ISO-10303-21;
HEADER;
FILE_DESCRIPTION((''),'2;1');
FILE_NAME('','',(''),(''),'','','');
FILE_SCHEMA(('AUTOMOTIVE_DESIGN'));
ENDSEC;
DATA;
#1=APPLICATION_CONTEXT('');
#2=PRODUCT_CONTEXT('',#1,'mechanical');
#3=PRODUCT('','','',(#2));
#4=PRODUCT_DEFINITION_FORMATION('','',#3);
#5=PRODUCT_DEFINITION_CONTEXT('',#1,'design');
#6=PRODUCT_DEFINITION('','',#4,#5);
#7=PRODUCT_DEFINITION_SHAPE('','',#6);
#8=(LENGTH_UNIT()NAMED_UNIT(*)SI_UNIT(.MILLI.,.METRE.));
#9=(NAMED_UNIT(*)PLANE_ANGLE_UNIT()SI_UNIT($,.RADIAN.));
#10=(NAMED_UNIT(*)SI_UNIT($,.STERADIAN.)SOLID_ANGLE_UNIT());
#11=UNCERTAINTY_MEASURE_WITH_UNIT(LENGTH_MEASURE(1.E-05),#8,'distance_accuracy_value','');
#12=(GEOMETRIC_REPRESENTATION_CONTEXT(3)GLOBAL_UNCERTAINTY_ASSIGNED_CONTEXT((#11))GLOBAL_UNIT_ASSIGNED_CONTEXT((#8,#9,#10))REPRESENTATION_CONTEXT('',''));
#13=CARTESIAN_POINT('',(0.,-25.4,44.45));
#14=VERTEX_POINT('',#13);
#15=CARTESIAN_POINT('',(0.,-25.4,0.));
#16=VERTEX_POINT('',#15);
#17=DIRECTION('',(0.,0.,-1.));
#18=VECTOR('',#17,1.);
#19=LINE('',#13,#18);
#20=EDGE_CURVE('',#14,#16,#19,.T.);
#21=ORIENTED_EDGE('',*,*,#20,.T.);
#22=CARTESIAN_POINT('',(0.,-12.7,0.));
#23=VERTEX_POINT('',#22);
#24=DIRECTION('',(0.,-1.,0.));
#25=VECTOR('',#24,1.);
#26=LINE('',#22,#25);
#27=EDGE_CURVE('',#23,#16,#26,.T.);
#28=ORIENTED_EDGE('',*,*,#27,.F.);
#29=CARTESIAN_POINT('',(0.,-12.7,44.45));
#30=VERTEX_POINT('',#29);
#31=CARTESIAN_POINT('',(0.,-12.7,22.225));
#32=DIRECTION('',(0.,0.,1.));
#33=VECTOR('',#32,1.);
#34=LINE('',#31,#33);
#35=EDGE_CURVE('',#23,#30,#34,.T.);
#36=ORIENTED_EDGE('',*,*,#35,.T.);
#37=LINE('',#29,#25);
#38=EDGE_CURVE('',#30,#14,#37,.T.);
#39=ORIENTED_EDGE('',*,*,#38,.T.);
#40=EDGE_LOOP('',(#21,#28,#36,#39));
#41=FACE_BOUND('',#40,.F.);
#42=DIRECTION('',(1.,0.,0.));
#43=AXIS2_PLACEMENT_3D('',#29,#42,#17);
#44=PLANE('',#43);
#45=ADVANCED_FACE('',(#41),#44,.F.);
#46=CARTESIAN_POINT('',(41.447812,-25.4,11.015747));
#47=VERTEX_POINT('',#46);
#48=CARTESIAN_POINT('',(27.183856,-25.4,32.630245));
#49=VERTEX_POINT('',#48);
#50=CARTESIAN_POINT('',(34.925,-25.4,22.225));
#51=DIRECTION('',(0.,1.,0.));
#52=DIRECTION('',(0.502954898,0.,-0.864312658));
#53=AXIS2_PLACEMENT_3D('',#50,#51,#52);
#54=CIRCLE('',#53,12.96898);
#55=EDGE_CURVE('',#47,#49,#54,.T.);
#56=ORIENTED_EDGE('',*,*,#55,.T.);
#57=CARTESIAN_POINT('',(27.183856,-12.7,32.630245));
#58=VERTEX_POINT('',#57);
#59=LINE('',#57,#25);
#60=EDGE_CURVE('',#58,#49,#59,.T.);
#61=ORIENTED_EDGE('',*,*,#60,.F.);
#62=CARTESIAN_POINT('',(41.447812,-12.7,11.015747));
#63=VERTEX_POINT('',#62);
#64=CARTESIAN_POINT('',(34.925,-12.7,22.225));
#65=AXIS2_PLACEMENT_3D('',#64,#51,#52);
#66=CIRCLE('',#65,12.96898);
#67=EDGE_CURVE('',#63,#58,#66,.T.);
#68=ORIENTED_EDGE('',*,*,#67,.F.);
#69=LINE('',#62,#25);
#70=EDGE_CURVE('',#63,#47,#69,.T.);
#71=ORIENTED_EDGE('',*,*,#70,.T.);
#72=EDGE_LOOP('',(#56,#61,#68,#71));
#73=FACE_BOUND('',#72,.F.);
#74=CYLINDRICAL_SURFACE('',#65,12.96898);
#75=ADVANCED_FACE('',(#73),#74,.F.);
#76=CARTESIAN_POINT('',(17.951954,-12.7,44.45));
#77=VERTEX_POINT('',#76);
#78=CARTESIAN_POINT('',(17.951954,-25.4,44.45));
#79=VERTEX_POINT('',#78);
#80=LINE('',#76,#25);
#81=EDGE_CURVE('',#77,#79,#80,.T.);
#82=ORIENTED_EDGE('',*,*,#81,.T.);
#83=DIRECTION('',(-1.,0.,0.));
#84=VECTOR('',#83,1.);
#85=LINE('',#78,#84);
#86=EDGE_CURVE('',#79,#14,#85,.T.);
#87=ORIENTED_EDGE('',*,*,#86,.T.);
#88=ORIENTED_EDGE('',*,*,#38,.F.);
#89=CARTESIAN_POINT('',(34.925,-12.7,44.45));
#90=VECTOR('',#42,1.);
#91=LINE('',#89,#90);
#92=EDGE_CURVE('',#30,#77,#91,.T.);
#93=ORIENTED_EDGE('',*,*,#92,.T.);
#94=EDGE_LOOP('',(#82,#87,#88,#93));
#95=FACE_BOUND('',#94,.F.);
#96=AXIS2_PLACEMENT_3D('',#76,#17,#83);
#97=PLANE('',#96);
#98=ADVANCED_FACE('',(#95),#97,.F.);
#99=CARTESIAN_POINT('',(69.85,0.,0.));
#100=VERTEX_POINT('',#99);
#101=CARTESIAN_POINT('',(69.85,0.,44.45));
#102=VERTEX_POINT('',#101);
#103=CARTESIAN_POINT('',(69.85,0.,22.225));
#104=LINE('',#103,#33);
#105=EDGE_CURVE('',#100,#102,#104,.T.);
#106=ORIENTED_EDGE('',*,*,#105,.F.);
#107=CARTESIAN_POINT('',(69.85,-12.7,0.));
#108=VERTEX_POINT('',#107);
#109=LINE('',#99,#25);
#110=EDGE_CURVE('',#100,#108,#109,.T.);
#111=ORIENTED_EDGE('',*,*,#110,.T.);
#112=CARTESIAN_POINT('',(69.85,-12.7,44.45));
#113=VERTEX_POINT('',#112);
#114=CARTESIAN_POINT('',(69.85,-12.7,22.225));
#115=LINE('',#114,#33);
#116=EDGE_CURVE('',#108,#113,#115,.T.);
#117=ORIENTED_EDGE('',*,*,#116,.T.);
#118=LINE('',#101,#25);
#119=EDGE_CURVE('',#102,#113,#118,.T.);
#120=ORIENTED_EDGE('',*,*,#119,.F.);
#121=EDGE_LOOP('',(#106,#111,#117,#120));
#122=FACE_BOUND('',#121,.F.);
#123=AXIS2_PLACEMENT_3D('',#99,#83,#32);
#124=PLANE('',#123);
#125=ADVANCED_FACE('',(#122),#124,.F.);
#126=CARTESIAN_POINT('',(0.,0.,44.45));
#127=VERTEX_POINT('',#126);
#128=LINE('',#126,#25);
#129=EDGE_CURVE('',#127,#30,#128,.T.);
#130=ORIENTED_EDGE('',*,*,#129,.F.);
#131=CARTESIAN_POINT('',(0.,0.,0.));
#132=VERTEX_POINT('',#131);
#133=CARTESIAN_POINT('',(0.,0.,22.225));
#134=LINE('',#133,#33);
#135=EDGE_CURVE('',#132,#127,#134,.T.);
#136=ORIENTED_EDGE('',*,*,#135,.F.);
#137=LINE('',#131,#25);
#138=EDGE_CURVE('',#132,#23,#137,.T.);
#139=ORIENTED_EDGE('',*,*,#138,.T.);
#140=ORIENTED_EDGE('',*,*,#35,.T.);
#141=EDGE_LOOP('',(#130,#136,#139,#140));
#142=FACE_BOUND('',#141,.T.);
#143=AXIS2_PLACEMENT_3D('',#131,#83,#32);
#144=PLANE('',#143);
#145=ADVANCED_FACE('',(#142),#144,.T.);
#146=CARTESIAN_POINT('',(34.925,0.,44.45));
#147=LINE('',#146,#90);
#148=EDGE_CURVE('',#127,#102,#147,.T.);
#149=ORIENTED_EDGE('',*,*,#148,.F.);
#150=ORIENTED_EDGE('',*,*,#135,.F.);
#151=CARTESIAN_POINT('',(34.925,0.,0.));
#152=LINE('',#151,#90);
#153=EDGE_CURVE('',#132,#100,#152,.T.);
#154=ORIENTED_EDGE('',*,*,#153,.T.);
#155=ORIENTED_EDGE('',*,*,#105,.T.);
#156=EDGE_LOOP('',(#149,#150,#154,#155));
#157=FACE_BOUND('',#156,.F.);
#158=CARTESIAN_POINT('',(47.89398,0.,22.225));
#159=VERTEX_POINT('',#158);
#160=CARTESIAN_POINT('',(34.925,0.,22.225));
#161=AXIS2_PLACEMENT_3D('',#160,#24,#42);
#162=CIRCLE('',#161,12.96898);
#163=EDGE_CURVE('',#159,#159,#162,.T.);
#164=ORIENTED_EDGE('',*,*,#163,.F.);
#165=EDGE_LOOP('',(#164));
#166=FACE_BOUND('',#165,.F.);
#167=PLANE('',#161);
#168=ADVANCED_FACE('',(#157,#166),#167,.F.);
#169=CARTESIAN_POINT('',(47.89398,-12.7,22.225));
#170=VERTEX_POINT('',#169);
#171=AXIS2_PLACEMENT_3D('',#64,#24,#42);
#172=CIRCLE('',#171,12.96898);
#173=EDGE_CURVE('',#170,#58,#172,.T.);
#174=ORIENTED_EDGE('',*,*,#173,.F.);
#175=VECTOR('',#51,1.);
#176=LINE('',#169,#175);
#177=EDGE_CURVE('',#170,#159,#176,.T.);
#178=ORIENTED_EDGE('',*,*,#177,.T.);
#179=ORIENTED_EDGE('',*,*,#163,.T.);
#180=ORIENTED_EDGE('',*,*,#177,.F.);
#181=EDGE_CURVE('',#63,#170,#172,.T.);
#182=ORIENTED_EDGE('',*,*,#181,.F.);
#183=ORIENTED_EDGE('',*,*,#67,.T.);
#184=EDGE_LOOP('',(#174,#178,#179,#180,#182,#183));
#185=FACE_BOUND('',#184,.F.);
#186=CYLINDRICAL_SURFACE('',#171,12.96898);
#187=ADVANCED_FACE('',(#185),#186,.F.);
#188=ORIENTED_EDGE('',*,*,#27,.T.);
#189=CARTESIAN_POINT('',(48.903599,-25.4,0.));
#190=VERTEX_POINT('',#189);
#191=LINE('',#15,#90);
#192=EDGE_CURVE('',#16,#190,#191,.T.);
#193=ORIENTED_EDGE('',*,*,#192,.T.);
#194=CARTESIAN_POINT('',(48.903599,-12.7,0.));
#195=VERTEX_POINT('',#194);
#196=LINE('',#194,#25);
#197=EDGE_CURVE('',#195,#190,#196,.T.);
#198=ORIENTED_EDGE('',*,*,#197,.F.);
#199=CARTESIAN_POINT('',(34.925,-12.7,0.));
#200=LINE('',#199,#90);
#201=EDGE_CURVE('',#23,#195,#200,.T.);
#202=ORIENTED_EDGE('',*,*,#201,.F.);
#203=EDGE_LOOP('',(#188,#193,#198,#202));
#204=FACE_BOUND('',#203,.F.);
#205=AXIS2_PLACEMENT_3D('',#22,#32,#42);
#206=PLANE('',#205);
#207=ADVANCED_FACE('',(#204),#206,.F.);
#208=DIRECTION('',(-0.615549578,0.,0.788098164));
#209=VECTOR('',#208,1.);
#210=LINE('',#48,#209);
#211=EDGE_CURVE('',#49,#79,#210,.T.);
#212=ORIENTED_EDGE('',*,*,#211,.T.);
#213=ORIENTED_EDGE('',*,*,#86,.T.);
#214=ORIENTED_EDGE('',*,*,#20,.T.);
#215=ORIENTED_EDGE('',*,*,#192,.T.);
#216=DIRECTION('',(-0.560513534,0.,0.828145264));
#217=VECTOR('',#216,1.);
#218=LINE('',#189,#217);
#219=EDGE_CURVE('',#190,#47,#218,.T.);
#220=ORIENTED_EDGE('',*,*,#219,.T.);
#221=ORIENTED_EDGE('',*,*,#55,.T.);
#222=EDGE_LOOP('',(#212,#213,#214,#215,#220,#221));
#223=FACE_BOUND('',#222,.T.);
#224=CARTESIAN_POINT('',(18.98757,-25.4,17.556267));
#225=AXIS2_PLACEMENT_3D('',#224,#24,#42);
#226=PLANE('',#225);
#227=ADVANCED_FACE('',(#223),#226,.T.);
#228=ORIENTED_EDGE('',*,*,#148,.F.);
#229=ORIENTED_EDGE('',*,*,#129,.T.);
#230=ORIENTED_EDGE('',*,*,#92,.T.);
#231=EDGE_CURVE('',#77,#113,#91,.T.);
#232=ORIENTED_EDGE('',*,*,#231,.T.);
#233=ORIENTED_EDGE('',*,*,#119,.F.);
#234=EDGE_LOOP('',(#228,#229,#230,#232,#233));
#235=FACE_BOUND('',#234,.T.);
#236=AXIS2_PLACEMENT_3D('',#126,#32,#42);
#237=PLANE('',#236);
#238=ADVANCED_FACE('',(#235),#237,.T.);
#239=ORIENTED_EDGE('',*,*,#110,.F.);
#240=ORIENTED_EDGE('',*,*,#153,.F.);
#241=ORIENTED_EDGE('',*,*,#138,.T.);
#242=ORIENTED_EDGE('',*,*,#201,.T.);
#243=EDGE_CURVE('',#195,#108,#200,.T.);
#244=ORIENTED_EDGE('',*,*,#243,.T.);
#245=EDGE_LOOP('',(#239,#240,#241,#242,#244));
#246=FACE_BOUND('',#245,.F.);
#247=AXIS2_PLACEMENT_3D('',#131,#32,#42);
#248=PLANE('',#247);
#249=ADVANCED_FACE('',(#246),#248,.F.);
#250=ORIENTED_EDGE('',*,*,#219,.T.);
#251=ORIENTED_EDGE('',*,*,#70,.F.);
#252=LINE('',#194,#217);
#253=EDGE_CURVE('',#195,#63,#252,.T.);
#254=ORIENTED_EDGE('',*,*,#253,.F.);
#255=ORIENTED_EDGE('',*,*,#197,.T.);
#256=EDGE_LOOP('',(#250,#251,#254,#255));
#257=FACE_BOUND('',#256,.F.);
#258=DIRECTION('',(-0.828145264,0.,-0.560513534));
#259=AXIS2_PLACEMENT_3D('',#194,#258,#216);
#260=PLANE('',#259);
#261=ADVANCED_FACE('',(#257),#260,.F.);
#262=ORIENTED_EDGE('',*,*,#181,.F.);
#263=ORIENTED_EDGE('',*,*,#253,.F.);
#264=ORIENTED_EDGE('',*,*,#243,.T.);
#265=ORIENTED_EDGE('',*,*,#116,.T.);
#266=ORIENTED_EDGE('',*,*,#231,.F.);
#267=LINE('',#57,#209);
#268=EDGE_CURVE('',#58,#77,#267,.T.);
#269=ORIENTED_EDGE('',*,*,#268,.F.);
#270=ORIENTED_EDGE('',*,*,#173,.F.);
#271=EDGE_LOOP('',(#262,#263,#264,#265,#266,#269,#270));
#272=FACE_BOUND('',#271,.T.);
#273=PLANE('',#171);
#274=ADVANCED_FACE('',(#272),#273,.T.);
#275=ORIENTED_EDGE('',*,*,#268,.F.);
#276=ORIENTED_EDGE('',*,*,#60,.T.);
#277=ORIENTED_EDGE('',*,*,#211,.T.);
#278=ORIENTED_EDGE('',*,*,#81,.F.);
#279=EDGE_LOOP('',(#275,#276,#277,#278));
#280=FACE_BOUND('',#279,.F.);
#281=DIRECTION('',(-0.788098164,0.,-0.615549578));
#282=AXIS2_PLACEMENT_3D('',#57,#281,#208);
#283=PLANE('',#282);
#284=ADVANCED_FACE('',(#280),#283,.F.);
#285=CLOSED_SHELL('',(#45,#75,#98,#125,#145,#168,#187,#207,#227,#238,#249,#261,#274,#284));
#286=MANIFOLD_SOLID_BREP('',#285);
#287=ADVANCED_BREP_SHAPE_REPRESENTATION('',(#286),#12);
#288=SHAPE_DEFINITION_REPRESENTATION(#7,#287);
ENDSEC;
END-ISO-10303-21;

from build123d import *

# Parameters (mm, degrees)
F0_W     = 69.85
F0_H     = 44.45
F1_DEPTH = 12.7
F2_R     = 12.9689795612
F3_DEPTH = 25.4
F5_DEPTH = 12.7


with BuildPart() as f1:
    # F0 (on Front) → F1 (new body)
    with BuildSketch(Plane.XZ):
        with Locations((34.925, 22.225)):
            Rectangle(F0_W, F0_H)
    extrude(amount=F1_DEPTH)

    # F2 (on face) → F3 (cut)
    with BuildSketch(Plane.XZ.offset(12.7)):
        with Locations((34.925, 22.225)):
            Circle(F2_R)
    extrude(amount=-F3_DEPTH, mode=Mode.SUBTRACT)

    # F4 (on face) → F5 (join)
    with BuildSketch(Plane.XZ.offset(12.7)):
        with BuildLine():
            Line((27.1838563224, 32.6302450918), (17.9519541562, 44.45))
            Line((17.9519541562, 44.45), (0, 44.45))
            Line((0, 44.45), (0, 0))
            Line((0, 0), (48.9035993814, 0))
            Line((48.9035993814, 0), (41.4478117951, 11.0157468071))
            ThreePointArc((41.4478117951, 11.0157468071), (24.1005962211, 15.081701484), (27.1838563224, 32.6302450918))
        make_face()
    extrude(amount=F5_DEPTH)


solid = f1.part
